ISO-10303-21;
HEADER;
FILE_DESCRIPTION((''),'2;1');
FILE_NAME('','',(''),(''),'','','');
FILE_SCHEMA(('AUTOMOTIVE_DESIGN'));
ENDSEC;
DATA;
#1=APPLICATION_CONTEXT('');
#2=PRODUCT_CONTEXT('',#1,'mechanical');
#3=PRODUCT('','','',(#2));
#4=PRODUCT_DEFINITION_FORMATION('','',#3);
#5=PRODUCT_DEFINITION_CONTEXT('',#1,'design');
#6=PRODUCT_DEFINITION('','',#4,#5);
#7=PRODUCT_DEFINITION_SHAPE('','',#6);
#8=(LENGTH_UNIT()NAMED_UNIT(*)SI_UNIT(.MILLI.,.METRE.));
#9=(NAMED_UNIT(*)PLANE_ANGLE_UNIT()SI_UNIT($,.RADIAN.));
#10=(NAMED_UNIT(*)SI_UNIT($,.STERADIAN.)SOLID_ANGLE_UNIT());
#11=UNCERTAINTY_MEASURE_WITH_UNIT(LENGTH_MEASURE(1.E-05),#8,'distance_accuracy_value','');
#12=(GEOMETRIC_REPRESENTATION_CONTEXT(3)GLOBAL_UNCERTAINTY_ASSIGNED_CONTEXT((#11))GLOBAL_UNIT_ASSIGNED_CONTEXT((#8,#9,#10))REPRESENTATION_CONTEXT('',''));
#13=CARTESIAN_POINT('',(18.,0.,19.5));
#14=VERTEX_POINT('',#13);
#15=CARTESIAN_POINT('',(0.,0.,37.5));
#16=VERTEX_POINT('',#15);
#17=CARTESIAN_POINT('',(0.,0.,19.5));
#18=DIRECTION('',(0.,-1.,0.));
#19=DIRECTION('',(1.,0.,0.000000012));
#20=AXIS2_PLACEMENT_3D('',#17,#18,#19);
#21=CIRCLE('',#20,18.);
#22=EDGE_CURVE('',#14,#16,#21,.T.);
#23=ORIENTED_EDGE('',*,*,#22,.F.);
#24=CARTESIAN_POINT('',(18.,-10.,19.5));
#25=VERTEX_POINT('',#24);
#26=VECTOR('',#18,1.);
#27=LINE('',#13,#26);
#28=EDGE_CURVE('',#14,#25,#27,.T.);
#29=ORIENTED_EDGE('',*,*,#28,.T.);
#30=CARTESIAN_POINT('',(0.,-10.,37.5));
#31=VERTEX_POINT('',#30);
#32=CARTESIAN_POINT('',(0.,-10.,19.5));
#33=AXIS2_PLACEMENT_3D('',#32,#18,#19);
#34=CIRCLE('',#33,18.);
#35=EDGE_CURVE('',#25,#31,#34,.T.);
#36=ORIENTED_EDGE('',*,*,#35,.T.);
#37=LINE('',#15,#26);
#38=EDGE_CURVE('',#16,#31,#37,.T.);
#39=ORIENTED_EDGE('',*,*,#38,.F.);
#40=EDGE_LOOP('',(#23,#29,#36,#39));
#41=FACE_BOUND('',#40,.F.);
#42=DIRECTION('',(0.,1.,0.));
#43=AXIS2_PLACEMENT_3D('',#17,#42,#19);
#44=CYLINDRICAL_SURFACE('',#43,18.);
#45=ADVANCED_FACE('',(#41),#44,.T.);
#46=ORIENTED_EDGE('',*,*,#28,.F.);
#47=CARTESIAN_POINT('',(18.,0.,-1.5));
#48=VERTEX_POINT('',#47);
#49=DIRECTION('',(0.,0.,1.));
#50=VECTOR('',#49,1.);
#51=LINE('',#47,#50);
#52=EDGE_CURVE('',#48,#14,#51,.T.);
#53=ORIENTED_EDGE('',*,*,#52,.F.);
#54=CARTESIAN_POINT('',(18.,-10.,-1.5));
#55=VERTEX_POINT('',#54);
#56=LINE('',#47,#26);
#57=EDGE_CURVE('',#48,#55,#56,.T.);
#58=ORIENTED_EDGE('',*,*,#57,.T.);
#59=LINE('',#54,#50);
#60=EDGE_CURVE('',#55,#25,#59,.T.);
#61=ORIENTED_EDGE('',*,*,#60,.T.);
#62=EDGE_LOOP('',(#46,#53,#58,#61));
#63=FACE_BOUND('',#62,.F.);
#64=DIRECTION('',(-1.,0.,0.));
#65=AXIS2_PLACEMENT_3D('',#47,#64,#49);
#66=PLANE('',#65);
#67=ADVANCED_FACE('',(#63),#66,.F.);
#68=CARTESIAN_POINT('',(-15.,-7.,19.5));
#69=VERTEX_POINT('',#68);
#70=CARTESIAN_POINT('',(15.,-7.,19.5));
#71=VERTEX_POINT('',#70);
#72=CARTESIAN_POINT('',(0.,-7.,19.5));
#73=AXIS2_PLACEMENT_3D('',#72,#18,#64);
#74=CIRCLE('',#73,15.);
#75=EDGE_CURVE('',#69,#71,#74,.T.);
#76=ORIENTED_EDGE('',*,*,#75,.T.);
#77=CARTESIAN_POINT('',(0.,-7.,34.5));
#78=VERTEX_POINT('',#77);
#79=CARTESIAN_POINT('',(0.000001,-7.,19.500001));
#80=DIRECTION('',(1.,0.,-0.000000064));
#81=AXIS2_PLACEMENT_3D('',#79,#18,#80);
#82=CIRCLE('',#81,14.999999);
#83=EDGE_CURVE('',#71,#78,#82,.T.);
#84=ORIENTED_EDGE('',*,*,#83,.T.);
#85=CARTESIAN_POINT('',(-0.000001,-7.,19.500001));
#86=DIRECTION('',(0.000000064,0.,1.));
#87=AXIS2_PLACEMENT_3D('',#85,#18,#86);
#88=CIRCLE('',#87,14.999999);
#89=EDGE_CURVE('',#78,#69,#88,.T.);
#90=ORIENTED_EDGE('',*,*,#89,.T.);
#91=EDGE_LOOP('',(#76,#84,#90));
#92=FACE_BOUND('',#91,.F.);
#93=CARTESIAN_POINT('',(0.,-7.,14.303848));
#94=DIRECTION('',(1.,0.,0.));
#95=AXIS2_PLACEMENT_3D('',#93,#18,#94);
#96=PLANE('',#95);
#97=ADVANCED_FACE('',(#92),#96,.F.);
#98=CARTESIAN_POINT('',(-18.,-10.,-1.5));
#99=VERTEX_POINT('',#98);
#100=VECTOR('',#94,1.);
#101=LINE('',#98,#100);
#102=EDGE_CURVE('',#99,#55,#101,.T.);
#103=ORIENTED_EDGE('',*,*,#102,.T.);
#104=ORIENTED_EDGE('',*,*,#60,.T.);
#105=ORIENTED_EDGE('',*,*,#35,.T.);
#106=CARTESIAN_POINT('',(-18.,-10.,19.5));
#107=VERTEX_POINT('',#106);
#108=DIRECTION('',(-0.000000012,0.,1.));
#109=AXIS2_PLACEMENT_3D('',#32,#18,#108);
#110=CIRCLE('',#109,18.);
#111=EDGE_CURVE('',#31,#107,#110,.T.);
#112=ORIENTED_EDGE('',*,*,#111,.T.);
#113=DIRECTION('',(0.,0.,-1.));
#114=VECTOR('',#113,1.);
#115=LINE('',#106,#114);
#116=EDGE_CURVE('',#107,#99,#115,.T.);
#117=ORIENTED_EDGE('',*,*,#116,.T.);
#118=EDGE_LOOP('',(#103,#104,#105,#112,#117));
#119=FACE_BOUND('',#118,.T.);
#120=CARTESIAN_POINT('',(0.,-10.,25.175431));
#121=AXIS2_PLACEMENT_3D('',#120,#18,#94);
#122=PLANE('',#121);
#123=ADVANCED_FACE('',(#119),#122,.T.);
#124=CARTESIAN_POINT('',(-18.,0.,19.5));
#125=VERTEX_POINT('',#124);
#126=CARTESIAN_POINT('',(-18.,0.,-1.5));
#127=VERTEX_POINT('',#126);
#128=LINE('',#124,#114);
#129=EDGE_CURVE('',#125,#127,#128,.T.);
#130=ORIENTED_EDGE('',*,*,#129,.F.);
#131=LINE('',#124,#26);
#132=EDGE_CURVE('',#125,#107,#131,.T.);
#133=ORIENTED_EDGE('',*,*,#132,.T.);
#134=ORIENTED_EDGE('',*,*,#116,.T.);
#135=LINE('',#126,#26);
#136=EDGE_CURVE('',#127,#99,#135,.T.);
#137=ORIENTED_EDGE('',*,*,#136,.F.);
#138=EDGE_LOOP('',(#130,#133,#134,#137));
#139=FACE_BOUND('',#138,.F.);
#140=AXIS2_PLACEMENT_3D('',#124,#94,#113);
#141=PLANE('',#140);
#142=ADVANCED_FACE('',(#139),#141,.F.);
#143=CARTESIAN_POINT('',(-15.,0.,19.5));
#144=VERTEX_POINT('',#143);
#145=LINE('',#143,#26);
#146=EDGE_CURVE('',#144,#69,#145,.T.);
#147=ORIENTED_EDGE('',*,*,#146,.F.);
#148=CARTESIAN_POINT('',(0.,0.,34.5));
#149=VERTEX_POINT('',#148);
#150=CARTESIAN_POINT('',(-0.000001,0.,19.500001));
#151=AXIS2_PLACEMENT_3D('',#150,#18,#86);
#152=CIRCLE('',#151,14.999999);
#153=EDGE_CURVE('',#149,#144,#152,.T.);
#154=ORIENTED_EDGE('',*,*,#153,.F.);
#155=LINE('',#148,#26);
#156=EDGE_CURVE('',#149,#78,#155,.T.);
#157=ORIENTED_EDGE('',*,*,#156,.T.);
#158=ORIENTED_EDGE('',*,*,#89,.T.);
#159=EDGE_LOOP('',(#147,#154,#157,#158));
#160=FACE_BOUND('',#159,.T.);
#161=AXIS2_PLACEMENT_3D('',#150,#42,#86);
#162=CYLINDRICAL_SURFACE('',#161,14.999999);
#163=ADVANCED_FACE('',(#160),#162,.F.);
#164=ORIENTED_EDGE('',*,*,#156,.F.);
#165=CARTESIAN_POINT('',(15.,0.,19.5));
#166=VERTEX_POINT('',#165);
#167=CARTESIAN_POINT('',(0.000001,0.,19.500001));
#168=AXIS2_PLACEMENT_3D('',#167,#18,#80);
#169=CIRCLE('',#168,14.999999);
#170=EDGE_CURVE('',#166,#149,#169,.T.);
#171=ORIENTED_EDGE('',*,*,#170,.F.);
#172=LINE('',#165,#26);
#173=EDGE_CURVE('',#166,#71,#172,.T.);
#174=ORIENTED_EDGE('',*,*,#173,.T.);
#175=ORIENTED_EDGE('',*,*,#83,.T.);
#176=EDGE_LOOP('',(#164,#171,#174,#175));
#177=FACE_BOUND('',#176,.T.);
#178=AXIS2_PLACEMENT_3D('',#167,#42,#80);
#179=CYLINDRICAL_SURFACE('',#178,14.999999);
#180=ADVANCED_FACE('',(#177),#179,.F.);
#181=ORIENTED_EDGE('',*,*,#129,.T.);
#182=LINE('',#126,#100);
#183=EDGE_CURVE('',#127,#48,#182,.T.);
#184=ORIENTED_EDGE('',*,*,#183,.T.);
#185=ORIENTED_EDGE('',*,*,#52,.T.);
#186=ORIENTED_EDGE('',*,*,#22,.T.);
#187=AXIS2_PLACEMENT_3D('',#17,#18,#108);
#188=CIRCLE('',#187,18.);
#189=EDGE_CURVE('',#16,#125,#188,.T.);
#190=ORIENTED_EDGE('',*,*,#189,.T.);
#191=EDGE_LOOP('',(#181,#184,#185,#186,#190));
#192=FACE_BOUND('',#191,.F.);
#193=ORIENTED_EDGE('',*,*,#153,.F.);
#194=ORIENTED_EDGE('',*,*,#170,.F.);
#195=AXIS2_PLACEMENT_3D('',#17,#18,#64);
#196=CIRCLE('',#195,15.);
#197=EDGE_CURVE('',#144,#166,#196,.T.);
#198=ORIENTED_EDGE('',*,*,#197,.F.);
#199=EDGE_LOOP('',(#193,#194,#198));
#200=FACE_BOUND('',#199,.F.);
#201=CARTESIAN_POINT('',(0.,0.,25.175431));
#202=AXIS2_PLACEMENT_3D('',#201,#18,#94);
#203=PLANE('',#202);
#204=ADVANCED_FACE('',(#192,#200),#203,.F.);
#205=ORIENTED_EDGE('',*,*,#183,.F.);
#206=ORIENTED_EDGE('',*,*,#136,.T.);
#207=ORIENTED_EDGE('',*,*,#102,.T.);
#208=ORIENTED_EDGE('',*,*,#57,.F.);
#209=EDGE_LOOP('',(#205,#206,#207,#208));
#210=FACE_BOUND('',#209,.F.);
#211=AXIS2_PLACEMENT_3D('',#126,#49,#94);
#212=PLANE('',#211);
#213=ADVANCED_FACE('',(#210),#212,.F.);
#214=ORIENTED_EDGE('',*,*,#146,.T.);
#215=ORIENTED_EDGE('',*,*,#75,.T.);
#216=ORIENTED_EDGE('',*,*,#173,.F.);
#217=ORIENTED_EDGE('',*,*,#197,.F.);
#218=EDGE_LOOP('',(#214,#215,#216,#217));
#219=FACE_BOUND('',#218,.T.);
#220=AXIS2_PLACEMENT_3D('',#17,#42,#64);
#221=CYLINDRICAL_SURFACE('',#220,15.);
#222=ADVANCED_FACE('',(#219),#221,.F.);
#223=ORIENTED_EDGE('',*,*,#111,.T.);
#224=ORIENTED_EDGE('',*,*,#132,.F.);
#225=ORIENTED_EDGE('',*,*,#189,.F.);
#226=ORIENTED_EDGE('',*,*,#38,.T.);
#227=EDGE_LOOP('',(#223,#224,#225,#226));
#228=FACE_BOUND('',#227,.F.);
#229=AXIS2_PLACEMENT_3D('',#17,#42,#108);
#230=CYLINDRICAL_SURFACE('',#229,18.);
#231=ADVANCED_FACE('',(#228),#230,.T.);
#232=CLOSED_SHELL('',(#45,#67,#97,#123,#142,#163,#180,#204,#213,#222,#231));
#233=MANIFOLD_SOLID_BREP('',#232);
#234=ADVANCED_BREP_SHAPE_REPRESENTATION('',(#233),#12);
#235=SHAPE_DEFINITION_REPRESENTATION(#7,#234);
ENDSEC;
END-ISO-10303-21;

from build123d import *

# Parameters (mm, degrees)
F1_DEPTH = 10
F2_DEPTH = 7


with BuildPart() as f1:
    # F0 (on Front) → F1 (new body)
    with BuildSketch(Plane.XZ):
        with BuildLine():
            ThreePointArc((0, 34.5), (-10.606602, 30.106602), (-15, 19.5))
            Line((-15, 19.5), (0, 19.5))
            Line((0, 19.5), (15, 19.5))
            ThreePointArc((15, 19.5), (10.606602, 30.106602), (0, 34.5))
        make_face()
        with BuildLine():
            ThreePointArc((-18, 19.5), (-12.727922, 6.772078), (0, 1.5))
            ThreePointArc((0, 1.5), (12.727922, 6.772078), (18, 19.5))
            Line((18, 19.5), (15, 19.5))
            ThreePointArc((15, 19.5), (0, 4.5), (-15, 19.5))
            Line((-15, 19.5), (-18, 19.5))
        make_face()
        Polygon((0, 1.5), (-18, 1.5), (-18, -1.5), (18, -1.5), (18, 1.5), align=None)
        with BuildLine():
            ThreePointArc((18, 19.5), (12.727922, 6.772078), (0, 1.5))
            Line((0, 1.5), (18, 1.5))
            Line((18, 1.5), (18, 19.5))
        make_face()
        with BuildLine():
            Line((0, 19.5), (-15, 19.5))
            ThreePointArc((-15, 19.5), (0, 4.5), (15, 19.5))
            Line((15, 19.5), (0, 19.5))
        make_face()
        with BuildLine():
            Line((15, 19.5), (18, 19.5))
            ThreePointArc((18, 19.5), (12.727922, 32.227922), (0, 37.5))
            Line((0, 37.5), (0, 34.5))
            ThreePointArc((0, 34.5), (10.606602, 30.106602), (15, 19.5))
        make_face()
        with BuildLine():
            ThreePointArc((0, 37.5), (-12.727922, 32.227922), (-18, 19.5))
            Line((-18, 19.5), (-15, 19.5))
            ThreePointArc((-15, 19.5), (-10.606602, 30.106602), (0, 34.5))
            Line((0, 34.5), (0, 37.5))
        make_face()
        with BuildLine():
            Line((-18, 19.5), (-18, 1.5))
            Line((-18, 1.5), (0, 1.5))
            ThreePointArc((0, 1.5), (-12.727922, 6.772078), (-18, 19.5))
        make_face()
    extrude(amount=F1_DEPTH)

    # F0 (on Front) → F2 (cut)
    with BuildSketch(Plane.XZ):
        with BuildLine():
            Line((0, 19.5), (-15, 19.5))
            ThreePointArc((-15, 19.5), (0, 4.5), (15, 19.5))
            Line((15, 19.5), (0, 19.5))
        make_face()
        with BuildLine():
            ThreePointArc((0, 34.5), (-10.606602, 30.106602), (-15, 19.5))
            Line((-15, 19.5), (0, 19.5))
            Line((0, 19.5), (15, 19.5))
            ThreePointArc((15, 19.5), (10.606602, 30.106602), (0, 34.5))
        make_face()
    extrude(amount=F2_DEPTH, mode=Mode.SUBTRACT)


solid = f1.part
